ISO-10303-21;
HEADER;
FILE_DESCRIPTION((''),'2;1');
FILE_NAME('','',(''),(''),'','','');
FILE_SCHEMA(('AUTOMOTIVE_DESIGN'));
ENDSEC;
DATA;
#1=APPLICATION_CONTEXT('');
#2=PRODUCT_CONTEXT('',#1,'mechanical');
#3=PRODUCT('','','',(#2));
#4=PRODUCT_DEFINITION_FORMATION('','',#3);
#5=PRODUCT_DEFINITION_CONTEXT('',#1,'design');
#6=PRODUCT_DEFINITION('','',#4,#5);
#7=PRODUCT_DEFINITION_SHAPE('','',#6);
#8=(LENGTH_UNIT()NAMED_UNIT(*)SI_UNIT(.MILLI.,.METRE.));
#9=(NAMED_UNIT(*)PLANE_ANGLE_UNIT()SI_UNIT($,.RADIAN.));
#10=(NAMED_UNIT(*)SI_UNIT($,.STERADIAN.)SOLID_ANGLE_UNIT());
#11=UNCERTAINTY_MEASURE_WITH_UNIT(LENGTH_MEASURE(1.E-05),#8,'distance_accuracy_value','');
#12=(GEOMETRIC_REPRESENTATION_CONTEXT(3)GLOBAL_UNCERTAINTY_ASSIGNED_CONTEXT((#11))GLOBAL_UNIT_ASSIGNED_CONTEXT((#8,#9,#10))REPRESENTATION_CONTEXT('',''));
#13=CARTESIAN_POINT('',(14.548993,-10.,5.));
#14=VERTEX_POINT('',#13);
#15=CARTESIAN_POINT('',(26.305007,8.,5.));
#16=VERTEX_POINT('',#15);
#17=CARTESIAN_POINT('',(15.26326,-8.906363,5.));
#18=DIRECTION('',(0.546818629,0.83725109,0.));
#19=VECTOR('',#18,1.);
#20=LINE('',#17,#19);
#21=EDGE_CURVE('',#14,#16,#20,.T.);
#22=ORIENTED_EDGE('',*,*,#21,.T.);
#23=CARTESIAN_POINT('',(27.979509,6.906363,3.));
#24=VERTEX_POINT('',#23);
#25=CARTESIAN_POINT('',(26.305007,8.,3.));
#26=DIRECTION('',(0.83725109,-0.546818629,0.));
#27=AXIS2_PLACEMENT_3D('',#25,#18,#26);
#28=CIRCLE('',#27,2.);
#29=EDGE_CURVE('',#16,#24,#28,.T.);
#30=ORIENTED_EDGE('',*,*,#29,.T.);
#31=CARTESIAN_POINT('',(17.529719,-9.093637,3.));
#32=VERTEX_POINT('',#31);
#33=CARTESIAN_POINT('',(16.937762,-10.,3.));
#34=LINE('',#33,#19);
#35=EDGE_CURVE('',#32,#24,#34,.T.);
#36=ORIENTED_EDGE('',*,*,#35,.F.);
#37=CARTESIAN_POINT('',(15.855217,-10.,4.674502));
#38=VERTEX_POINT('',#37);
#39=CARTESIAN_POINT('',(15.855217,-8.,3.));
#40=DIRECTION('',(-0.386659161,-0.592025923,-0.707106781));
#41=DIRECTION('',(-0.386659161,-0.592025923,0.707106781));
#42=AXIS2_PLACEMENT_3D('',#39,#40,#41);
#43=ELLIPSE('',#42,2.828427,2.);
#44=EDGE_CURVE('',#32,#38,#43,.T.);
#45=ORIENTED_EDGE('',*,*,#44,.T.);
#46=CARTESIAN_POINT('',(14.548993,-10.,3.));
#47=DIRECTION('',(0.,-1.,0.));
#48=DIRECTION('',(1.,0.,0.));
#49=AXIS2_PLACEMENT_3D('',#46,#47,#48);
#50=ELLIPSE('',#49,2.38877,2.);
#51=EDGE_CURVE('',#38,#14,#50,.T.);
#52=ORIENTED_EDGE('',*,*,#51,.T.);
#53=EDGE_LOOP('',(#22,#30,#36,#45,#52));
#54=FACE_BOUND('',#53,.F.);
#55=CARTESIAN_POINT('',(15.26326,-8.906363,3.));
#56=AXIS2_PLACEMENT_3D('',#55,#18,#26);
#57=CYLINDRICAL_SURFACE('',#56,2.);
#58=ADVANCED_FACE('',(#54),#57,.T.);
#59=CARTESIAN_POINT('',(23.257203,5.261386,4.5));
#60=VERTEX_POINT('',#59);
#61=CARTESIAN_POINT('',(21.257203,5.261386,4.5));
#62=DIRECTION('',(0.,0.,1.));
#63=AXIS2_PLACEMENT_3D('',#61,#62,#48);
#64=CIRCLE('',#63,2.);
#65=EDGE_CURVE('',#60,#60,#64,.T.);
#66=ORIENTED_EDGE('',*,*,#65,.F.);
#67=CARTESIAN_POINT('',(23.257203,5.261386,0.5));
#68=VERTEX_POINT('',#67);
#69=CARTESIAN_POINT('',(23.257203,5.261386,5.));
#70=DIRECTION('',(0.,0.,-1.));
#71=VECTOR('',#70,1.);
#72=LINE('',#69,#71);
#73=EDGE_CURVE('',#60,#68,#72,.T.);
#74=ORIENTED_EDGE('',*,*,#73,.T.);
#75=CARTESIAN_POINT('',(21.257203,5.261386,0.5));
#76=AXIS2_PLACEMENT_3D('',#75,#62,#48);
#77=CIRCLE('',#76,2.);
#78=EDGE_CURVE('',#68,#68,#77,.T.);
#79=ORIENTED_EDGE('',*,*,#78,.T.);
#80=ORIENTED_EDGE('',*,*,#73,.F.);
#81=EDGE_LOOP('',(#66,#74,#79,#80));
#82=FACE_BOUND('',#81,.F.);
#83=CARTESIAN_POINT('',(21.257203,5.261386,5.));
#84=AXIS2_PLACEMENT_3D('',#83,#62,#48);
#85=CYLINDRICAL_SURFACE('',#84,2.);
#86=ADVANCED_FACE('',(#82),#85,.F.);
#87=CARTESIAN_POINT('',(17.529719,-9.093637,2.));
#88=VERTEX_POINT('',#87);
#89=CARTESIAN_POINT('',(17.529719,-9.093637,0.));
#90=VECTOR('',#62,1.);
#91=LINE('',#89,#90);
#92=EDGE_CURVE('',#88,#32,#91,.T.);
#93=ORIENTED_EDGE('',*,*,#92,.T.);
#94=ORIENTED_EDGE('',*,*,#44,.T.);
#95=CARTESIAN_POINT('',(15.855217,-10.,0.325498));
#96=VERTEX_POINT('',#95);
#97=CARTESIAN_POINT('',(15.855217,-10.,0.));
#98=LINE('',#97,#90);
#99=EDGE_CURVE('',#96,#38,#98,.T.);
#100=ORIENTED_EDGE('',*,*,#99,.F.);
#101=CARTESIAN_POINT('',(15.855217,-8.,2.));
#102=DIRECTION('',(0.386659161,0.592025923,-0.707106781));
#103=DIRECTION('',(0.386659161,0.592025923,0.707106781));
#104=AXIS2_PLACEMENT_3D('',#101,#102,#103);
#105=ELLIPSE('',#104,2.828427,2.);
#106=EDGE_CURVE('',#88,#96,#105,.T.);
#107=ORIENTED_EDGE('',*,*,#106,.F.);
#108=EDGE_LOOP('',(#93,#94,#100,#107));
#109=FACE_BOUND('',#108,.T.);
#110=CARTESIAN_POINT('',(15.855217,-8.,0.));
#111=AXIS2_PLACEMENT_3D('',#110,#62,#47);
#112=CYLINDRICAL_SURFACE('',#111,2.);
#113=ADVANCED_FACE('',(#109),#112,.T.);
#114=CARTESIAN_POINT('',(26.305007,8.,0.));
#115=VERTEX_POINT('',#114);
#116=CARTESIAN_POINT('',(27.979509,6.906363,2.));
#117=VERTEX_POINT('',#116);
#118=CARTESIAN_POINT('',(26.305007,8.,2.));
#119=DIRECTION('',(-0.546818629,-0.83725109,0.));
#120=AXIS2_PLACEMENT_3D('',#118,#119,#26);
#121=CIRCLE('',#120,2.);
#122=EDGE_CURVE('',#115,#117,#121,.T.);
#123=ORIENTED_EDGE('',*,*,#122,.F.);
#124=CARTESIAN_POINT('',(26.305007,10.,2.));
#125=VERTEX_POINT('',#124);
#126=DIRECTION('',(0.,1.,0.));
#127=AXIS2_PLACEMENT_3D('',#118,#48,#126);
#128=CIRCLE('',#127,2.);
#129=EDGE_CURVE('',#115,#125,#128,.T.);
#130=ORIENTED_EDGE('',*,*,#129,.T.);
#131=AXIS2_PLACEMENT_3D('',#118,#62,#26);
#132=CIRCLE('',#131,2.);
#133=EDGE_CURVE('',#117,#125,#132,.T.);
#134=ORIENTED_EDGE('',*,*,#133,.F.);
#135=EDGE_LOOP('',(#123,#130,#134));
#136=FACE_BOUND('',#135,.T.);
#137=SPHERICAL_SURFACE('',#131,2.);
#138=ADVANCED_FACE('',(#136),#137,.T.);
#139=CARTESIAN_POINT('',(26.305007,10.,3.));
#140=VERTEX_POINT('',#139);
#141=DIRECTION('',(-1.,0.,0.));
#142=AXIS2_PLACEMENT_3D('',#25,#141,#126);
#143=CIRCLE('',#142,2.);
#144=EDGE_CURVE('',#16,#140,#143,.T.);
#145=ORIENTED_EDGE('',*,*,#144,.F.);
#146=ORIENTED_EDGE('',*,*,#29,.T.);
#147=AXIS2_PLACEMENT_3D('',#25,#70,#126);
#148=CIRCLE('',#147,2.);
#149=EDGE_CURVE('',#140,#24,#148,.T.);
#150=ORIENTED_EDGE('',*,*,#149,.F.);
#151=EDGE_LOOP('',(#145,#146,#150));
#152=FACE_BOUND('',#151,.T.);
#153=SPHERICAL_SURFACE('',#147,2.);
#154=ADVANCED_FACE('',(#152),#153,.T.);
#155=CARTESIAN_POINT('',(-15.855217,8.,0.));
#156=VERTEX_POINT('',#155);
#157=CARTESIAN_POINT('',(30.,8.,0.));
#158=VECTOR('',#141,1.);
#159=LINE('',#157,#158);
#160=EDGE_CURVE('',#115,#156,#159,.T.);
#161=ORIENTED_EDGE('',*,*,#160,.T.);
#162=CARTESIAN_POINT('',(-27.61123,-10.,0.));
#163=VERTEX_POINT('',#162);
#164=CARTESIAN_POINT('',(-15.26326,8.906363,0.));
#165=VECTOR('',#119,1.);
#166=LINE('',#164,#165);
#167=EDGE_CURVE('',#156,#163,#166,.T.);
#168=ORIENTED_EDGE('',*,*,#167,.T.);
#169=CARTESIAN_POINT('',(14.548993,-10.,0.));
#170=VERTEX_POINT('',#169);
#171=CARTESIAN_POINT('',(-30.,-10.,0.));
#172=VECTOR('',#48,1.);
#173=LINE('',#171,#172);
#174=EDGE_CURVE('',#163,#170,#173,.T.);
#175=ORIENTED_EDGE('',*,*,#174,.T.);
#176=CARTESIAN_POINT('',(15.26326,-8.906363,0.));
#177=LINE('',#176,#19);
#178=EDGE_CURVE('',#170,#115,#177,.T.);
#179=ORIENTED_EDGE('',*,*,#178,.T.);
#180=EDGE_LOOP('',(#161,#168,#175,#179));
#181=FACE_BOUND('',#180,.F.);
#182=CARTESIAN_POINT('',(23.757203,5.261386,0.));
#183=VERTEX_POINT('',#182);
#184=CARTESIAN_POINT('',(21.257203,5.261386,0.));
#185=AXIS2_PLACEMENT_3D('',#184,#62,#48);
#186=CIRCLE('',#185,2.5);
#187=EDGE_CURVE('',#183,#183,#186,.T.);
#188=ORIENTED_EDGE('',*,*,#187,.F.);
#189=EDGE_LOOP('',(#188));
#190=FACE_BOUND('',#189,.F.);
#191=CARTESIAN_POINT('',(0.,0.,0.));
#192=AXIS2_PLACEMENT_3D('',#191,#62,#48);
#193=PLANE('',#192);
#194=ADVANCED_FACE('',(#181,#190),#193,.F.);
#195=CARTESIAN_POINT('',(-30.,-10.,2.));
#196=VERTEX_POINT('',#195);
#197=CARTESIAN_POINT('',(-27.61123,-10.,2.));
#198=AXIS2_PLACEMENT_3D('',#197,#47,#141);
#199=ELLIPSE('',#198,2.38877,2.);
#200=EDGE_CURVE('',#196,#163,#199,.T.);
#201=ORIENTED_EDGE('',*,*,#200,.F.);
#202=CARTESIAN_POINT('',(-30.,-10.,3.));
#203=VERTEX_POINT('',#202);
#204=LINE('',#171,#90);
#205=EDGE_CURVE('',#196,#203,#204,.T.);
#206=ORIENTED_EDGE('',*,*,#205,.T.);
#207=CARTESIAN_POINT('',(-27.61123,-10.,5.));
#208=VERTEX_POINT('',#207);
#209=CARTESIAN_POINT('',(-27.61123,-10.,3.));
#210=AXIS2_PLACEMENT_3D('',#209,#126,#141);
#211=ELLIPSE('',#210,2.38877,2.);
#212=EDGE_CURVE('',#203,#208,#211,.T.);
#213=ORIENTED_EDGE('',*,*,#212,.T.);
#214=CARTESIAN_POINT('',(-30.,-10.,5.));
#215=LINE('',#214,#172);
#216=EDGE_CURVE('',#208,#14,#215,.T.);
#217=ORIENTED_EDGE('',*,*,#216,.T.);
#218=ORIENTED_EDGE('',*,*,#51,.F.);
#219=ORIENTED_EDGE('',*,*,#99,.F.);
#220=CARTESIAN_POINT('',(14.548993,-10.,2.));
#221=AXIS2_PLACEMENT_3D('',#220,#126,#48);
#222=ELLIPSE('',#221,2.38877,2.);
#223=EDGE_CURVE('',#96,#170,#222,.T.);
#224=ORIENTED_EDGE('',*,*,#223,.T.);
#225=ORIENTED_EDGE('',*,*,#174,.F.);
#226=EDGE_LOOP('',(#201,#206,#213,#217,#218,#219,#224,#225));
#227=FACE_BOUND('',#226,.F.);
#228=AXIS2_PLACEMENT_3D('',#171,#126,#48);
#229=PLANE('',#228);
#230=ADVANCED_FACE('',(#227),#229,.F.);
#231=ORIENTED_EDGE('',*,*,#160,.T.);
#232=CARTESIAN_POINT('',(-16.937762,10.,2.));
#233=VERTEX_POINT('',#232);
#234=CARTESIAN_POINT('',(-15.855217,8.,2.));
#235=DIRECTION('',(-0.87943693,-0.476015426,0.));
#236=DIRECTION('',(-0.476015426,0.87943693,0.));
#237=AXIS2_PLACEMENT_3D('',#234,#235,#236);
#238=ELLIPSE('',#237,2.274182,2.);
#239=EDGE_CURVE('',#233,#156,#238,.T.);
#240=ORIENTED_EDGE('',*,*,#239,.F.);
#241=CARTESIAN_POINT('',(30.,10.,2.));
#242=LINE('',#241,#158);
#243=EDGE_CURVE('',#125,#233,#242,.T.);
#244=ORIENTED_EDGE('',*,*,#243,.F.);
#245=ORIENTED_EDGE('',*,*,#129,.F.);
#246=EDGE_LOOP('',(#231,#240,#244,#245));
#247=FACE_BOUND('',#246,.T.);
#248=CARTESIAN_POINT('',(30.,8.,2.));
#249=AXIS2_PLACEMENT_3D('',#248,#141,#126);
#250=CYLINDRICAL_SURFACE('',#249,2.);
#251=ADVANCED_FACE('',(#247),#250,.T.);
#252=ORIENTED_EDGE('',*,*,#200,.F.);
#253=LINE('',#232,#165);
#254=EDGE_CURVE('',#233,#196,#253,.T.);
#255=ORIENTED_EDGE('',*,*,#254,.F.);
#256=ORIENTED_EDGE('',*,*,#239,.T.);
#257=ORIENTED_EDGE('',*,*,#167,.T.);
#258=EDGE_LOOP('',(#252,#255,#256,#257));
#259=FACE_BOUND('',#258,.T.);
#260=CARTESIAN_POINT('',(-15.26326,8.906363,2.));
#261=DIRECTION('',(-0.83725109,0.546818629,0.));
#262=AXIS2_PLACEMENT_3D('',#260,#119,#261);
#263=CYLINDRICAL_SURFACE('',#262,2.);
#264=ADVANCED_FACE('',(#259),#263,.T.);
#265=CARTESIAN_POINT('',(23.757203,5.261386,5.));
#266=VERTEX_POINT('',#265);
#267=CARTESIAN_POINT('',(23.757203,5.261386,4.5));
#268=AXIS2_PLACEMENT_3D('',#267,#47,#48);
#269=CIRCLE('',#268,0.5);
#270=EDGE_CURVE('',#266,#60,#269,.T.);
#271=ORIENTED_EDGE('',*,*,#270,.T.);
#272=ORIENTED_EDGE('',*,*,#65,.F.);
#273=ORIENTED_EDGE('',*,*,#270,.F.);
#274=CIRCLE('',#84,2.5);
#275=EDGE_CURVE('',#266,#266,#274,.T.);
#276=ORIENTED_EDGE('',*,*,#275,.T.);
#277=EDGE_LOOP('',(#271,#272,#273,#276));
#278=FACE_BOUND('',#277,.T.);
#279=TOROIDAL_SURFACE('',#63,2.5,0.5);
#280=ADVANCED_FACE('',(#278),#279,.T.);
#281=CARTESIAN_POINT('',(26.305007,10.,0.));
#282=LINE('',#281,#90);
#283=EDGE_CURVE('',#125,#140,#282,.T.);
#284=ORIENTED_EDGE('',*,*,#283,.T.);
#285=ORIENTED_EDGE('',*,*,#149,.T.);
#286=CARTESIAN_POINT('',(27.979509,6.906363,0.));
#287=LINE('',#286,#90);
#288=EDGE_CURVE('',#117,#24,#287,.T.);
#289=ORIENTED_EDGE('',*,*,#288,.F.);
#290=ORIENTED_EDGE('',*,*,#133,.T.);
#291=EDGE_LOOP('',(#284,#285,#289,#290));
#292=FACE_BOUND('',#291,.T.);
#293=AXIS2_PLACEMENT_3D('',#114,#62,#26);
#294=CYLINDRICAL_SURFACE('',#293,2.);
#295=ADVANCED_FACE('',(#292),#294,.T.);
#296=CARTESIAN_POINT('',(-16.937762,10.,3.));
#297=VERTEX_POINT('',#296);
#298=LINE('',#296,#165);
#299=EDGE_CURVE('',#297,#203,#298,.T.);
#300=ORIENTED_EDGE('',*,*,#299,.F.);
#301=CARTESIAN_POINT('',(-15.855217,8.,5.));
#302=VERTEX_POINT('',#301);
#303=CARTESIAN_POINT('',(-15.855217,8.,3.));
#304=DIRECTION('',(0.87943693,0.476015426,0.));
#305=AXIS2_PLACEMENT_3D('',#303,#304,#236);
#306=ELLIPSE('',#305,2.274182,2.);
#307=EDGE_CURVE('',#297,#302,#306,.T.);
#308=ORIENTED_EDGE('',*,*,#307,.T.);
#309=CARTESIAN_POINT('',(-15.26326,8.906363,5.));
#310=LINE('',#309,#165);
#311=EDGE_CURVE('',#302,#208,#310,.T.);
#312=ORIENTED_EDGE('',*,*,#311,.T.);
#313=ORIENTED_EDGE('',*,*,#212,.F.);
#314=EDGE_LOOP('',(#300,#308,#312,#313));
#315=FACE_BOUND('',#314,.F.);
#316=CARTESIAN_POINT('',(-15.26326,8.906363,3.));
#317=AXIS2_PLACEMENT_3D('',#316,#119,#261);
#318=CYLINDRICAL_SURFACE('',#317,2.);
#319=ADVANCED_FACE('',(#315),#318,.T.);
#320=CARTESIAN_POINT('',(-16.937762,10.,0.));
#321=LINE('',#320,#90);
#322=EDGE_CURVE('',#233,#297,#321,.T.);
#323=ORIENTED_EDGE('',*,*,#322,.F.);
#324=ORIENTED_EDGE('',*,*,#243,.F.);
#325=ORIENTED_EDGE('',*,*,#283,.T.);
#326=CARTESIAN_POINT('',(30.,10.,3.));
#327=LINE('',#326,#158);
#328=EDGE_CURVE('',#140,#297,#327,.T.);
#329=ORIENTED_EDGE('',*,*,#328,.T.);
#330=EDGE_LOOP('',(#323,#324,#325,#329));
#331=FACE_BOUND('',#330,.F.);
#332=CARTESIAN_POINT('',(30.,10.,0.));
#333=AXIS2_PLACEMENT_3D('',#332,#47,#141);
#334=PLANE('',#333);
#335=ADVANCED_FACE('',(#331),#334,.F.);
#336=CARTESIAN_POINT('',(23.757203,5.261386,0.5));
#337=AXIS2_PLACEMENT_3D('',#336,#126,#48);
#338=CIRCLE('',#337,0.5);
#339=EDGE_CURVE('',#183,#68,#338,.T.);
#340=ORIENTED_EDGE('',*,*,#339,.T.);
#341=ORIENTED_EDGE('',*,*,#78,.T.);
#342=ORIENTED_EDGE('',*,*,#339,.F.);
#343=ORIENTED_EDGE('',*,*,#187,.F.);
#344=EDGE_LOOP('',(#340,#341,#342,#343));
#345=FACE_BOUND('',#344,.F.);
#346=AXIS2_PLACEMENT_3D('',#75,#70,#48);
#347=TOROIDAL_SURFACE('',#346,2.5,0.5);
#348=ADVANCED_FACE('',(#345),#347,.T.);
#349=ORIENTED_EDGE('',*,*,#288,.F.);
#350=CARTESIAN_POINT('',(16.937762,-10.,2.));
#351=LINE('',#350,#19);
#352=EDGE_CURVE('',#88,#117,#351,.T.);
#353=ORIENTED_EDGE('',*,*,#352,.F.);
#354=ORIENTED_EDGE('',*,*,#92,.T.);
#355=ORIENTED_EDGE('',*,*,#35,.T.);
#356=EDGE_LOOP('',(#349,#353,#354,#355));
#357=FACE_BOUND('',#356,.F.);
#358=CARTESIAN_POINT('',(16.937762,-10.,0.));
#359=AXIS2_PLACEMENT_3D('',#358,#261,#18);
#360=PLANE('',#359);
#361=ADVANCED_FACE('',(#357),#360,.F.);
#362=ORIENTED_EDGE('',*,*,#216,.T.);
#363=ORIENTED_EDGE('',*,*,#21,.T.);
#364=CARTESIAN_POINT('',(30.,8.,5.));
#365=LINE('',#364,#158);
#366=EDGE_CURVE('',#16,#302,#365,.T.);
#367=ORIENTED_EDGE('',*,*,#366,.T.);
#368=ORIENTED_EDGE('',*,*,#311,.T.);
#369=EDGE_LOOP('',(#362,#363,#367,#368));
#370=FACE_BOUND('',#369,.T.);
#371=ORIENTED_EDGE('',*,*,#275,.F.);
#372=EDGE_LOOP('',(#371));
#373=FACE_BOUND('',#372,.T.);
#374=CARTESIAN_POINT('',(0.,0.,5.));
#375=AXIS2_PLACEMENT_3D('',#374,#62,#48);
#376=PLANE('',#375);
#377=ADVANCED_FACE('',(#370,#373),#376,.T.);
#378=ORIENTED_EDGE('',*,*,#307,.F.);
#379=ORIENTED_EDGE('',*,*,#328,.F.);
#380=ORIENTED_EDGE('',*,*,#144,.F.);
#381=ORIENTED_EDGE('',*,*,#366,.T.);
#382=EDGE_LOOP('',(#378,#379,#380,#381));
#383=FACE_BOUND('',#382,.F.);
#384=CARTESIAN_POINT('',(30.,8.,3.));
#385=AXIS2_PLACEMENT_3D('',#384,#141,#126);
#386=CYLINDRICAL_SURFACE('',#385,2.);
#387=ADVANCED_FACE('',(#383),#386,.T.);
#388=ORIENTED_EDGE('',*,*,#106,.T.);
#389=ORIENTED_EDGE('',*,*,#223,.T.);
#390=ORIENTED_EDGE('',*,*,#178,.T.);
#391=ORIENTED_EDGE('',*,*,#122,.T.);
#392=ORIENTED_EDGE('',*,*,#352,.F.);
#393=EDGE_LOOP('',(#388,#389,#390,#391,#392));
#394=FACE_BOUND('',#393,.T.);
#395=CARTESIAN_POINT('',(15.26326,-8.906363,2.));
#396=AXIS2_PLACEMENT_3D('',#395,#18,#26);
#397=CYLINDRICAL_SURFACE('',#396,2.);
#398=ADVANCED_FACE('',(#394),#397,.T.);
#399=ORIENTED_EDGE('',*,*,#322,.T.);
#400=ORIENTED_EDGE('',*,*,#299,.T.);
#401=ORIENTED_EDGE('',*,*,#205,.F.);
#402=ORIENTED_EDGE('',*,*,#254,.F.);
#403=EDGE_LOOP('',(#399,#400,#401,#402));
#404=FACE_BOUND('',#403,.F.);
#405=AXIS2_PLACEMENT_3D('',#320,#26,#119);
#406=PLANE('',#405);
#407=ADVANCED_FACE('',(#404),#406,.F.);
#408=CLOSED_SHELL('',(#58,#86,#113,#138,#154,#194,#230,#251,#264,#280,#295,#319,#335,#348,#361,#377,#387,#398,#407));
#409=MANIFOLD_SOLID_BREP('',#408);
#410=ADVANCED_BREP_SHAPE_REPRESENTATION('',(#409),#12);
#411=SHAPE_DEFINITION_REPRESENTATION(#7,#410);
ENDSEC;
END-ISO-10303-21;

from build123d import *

# Parameters (mm, degrees)
F1_DEPTH = 5
F2_R     = 2
F3_R     = 2
F4_DEPTH = 25.4
F5_R     = 0.5


with BuildPart() as f1:
    # F0 (on Top) → F1 (new body)
    with BuildSketch(Plane.XY):
        Polygon((-30, -10), (16.9377624965, -10), (30, 10), (-16.9377624965, 10), align=None)
    extrude(amount=F1_DEPTH)

    # F2
    f2_edges = [f1.edges().sort_by_distance(p)[0] for p in [
        (6.531119, 10, 5),
        (-23.468881, 0, 5),
        (23.468881, 0, 5),
        (16.937762, -10, 2.5),
        (30, 10, 2.5),
        (23.468881, 0, 0),
        (6.531119, 10, 0),
        (-23.468881, 0, 0),
    ]]
    fillet(f2_edges, radius=F2_R)

    # F3 (on face) → F4 (cut)
    with BuildSketch(Plane.XY.offset(5)):
        with Locations((21.2572028662, 5.2613858901)):
            Circle(F3_R)
    extrude(amount=-F4_DEPTH, mode=Mode.SUBTRACT)

    # F5
    f5_edges = [f1.edges().sort_by_distance(p)[0] for p in [
        (19.257203, 5.261386, 5),
        (19.257203, 5.261386, 0),
    ]]
    fillet(f5_edges, radius=F5_R)


solid = f1.part
